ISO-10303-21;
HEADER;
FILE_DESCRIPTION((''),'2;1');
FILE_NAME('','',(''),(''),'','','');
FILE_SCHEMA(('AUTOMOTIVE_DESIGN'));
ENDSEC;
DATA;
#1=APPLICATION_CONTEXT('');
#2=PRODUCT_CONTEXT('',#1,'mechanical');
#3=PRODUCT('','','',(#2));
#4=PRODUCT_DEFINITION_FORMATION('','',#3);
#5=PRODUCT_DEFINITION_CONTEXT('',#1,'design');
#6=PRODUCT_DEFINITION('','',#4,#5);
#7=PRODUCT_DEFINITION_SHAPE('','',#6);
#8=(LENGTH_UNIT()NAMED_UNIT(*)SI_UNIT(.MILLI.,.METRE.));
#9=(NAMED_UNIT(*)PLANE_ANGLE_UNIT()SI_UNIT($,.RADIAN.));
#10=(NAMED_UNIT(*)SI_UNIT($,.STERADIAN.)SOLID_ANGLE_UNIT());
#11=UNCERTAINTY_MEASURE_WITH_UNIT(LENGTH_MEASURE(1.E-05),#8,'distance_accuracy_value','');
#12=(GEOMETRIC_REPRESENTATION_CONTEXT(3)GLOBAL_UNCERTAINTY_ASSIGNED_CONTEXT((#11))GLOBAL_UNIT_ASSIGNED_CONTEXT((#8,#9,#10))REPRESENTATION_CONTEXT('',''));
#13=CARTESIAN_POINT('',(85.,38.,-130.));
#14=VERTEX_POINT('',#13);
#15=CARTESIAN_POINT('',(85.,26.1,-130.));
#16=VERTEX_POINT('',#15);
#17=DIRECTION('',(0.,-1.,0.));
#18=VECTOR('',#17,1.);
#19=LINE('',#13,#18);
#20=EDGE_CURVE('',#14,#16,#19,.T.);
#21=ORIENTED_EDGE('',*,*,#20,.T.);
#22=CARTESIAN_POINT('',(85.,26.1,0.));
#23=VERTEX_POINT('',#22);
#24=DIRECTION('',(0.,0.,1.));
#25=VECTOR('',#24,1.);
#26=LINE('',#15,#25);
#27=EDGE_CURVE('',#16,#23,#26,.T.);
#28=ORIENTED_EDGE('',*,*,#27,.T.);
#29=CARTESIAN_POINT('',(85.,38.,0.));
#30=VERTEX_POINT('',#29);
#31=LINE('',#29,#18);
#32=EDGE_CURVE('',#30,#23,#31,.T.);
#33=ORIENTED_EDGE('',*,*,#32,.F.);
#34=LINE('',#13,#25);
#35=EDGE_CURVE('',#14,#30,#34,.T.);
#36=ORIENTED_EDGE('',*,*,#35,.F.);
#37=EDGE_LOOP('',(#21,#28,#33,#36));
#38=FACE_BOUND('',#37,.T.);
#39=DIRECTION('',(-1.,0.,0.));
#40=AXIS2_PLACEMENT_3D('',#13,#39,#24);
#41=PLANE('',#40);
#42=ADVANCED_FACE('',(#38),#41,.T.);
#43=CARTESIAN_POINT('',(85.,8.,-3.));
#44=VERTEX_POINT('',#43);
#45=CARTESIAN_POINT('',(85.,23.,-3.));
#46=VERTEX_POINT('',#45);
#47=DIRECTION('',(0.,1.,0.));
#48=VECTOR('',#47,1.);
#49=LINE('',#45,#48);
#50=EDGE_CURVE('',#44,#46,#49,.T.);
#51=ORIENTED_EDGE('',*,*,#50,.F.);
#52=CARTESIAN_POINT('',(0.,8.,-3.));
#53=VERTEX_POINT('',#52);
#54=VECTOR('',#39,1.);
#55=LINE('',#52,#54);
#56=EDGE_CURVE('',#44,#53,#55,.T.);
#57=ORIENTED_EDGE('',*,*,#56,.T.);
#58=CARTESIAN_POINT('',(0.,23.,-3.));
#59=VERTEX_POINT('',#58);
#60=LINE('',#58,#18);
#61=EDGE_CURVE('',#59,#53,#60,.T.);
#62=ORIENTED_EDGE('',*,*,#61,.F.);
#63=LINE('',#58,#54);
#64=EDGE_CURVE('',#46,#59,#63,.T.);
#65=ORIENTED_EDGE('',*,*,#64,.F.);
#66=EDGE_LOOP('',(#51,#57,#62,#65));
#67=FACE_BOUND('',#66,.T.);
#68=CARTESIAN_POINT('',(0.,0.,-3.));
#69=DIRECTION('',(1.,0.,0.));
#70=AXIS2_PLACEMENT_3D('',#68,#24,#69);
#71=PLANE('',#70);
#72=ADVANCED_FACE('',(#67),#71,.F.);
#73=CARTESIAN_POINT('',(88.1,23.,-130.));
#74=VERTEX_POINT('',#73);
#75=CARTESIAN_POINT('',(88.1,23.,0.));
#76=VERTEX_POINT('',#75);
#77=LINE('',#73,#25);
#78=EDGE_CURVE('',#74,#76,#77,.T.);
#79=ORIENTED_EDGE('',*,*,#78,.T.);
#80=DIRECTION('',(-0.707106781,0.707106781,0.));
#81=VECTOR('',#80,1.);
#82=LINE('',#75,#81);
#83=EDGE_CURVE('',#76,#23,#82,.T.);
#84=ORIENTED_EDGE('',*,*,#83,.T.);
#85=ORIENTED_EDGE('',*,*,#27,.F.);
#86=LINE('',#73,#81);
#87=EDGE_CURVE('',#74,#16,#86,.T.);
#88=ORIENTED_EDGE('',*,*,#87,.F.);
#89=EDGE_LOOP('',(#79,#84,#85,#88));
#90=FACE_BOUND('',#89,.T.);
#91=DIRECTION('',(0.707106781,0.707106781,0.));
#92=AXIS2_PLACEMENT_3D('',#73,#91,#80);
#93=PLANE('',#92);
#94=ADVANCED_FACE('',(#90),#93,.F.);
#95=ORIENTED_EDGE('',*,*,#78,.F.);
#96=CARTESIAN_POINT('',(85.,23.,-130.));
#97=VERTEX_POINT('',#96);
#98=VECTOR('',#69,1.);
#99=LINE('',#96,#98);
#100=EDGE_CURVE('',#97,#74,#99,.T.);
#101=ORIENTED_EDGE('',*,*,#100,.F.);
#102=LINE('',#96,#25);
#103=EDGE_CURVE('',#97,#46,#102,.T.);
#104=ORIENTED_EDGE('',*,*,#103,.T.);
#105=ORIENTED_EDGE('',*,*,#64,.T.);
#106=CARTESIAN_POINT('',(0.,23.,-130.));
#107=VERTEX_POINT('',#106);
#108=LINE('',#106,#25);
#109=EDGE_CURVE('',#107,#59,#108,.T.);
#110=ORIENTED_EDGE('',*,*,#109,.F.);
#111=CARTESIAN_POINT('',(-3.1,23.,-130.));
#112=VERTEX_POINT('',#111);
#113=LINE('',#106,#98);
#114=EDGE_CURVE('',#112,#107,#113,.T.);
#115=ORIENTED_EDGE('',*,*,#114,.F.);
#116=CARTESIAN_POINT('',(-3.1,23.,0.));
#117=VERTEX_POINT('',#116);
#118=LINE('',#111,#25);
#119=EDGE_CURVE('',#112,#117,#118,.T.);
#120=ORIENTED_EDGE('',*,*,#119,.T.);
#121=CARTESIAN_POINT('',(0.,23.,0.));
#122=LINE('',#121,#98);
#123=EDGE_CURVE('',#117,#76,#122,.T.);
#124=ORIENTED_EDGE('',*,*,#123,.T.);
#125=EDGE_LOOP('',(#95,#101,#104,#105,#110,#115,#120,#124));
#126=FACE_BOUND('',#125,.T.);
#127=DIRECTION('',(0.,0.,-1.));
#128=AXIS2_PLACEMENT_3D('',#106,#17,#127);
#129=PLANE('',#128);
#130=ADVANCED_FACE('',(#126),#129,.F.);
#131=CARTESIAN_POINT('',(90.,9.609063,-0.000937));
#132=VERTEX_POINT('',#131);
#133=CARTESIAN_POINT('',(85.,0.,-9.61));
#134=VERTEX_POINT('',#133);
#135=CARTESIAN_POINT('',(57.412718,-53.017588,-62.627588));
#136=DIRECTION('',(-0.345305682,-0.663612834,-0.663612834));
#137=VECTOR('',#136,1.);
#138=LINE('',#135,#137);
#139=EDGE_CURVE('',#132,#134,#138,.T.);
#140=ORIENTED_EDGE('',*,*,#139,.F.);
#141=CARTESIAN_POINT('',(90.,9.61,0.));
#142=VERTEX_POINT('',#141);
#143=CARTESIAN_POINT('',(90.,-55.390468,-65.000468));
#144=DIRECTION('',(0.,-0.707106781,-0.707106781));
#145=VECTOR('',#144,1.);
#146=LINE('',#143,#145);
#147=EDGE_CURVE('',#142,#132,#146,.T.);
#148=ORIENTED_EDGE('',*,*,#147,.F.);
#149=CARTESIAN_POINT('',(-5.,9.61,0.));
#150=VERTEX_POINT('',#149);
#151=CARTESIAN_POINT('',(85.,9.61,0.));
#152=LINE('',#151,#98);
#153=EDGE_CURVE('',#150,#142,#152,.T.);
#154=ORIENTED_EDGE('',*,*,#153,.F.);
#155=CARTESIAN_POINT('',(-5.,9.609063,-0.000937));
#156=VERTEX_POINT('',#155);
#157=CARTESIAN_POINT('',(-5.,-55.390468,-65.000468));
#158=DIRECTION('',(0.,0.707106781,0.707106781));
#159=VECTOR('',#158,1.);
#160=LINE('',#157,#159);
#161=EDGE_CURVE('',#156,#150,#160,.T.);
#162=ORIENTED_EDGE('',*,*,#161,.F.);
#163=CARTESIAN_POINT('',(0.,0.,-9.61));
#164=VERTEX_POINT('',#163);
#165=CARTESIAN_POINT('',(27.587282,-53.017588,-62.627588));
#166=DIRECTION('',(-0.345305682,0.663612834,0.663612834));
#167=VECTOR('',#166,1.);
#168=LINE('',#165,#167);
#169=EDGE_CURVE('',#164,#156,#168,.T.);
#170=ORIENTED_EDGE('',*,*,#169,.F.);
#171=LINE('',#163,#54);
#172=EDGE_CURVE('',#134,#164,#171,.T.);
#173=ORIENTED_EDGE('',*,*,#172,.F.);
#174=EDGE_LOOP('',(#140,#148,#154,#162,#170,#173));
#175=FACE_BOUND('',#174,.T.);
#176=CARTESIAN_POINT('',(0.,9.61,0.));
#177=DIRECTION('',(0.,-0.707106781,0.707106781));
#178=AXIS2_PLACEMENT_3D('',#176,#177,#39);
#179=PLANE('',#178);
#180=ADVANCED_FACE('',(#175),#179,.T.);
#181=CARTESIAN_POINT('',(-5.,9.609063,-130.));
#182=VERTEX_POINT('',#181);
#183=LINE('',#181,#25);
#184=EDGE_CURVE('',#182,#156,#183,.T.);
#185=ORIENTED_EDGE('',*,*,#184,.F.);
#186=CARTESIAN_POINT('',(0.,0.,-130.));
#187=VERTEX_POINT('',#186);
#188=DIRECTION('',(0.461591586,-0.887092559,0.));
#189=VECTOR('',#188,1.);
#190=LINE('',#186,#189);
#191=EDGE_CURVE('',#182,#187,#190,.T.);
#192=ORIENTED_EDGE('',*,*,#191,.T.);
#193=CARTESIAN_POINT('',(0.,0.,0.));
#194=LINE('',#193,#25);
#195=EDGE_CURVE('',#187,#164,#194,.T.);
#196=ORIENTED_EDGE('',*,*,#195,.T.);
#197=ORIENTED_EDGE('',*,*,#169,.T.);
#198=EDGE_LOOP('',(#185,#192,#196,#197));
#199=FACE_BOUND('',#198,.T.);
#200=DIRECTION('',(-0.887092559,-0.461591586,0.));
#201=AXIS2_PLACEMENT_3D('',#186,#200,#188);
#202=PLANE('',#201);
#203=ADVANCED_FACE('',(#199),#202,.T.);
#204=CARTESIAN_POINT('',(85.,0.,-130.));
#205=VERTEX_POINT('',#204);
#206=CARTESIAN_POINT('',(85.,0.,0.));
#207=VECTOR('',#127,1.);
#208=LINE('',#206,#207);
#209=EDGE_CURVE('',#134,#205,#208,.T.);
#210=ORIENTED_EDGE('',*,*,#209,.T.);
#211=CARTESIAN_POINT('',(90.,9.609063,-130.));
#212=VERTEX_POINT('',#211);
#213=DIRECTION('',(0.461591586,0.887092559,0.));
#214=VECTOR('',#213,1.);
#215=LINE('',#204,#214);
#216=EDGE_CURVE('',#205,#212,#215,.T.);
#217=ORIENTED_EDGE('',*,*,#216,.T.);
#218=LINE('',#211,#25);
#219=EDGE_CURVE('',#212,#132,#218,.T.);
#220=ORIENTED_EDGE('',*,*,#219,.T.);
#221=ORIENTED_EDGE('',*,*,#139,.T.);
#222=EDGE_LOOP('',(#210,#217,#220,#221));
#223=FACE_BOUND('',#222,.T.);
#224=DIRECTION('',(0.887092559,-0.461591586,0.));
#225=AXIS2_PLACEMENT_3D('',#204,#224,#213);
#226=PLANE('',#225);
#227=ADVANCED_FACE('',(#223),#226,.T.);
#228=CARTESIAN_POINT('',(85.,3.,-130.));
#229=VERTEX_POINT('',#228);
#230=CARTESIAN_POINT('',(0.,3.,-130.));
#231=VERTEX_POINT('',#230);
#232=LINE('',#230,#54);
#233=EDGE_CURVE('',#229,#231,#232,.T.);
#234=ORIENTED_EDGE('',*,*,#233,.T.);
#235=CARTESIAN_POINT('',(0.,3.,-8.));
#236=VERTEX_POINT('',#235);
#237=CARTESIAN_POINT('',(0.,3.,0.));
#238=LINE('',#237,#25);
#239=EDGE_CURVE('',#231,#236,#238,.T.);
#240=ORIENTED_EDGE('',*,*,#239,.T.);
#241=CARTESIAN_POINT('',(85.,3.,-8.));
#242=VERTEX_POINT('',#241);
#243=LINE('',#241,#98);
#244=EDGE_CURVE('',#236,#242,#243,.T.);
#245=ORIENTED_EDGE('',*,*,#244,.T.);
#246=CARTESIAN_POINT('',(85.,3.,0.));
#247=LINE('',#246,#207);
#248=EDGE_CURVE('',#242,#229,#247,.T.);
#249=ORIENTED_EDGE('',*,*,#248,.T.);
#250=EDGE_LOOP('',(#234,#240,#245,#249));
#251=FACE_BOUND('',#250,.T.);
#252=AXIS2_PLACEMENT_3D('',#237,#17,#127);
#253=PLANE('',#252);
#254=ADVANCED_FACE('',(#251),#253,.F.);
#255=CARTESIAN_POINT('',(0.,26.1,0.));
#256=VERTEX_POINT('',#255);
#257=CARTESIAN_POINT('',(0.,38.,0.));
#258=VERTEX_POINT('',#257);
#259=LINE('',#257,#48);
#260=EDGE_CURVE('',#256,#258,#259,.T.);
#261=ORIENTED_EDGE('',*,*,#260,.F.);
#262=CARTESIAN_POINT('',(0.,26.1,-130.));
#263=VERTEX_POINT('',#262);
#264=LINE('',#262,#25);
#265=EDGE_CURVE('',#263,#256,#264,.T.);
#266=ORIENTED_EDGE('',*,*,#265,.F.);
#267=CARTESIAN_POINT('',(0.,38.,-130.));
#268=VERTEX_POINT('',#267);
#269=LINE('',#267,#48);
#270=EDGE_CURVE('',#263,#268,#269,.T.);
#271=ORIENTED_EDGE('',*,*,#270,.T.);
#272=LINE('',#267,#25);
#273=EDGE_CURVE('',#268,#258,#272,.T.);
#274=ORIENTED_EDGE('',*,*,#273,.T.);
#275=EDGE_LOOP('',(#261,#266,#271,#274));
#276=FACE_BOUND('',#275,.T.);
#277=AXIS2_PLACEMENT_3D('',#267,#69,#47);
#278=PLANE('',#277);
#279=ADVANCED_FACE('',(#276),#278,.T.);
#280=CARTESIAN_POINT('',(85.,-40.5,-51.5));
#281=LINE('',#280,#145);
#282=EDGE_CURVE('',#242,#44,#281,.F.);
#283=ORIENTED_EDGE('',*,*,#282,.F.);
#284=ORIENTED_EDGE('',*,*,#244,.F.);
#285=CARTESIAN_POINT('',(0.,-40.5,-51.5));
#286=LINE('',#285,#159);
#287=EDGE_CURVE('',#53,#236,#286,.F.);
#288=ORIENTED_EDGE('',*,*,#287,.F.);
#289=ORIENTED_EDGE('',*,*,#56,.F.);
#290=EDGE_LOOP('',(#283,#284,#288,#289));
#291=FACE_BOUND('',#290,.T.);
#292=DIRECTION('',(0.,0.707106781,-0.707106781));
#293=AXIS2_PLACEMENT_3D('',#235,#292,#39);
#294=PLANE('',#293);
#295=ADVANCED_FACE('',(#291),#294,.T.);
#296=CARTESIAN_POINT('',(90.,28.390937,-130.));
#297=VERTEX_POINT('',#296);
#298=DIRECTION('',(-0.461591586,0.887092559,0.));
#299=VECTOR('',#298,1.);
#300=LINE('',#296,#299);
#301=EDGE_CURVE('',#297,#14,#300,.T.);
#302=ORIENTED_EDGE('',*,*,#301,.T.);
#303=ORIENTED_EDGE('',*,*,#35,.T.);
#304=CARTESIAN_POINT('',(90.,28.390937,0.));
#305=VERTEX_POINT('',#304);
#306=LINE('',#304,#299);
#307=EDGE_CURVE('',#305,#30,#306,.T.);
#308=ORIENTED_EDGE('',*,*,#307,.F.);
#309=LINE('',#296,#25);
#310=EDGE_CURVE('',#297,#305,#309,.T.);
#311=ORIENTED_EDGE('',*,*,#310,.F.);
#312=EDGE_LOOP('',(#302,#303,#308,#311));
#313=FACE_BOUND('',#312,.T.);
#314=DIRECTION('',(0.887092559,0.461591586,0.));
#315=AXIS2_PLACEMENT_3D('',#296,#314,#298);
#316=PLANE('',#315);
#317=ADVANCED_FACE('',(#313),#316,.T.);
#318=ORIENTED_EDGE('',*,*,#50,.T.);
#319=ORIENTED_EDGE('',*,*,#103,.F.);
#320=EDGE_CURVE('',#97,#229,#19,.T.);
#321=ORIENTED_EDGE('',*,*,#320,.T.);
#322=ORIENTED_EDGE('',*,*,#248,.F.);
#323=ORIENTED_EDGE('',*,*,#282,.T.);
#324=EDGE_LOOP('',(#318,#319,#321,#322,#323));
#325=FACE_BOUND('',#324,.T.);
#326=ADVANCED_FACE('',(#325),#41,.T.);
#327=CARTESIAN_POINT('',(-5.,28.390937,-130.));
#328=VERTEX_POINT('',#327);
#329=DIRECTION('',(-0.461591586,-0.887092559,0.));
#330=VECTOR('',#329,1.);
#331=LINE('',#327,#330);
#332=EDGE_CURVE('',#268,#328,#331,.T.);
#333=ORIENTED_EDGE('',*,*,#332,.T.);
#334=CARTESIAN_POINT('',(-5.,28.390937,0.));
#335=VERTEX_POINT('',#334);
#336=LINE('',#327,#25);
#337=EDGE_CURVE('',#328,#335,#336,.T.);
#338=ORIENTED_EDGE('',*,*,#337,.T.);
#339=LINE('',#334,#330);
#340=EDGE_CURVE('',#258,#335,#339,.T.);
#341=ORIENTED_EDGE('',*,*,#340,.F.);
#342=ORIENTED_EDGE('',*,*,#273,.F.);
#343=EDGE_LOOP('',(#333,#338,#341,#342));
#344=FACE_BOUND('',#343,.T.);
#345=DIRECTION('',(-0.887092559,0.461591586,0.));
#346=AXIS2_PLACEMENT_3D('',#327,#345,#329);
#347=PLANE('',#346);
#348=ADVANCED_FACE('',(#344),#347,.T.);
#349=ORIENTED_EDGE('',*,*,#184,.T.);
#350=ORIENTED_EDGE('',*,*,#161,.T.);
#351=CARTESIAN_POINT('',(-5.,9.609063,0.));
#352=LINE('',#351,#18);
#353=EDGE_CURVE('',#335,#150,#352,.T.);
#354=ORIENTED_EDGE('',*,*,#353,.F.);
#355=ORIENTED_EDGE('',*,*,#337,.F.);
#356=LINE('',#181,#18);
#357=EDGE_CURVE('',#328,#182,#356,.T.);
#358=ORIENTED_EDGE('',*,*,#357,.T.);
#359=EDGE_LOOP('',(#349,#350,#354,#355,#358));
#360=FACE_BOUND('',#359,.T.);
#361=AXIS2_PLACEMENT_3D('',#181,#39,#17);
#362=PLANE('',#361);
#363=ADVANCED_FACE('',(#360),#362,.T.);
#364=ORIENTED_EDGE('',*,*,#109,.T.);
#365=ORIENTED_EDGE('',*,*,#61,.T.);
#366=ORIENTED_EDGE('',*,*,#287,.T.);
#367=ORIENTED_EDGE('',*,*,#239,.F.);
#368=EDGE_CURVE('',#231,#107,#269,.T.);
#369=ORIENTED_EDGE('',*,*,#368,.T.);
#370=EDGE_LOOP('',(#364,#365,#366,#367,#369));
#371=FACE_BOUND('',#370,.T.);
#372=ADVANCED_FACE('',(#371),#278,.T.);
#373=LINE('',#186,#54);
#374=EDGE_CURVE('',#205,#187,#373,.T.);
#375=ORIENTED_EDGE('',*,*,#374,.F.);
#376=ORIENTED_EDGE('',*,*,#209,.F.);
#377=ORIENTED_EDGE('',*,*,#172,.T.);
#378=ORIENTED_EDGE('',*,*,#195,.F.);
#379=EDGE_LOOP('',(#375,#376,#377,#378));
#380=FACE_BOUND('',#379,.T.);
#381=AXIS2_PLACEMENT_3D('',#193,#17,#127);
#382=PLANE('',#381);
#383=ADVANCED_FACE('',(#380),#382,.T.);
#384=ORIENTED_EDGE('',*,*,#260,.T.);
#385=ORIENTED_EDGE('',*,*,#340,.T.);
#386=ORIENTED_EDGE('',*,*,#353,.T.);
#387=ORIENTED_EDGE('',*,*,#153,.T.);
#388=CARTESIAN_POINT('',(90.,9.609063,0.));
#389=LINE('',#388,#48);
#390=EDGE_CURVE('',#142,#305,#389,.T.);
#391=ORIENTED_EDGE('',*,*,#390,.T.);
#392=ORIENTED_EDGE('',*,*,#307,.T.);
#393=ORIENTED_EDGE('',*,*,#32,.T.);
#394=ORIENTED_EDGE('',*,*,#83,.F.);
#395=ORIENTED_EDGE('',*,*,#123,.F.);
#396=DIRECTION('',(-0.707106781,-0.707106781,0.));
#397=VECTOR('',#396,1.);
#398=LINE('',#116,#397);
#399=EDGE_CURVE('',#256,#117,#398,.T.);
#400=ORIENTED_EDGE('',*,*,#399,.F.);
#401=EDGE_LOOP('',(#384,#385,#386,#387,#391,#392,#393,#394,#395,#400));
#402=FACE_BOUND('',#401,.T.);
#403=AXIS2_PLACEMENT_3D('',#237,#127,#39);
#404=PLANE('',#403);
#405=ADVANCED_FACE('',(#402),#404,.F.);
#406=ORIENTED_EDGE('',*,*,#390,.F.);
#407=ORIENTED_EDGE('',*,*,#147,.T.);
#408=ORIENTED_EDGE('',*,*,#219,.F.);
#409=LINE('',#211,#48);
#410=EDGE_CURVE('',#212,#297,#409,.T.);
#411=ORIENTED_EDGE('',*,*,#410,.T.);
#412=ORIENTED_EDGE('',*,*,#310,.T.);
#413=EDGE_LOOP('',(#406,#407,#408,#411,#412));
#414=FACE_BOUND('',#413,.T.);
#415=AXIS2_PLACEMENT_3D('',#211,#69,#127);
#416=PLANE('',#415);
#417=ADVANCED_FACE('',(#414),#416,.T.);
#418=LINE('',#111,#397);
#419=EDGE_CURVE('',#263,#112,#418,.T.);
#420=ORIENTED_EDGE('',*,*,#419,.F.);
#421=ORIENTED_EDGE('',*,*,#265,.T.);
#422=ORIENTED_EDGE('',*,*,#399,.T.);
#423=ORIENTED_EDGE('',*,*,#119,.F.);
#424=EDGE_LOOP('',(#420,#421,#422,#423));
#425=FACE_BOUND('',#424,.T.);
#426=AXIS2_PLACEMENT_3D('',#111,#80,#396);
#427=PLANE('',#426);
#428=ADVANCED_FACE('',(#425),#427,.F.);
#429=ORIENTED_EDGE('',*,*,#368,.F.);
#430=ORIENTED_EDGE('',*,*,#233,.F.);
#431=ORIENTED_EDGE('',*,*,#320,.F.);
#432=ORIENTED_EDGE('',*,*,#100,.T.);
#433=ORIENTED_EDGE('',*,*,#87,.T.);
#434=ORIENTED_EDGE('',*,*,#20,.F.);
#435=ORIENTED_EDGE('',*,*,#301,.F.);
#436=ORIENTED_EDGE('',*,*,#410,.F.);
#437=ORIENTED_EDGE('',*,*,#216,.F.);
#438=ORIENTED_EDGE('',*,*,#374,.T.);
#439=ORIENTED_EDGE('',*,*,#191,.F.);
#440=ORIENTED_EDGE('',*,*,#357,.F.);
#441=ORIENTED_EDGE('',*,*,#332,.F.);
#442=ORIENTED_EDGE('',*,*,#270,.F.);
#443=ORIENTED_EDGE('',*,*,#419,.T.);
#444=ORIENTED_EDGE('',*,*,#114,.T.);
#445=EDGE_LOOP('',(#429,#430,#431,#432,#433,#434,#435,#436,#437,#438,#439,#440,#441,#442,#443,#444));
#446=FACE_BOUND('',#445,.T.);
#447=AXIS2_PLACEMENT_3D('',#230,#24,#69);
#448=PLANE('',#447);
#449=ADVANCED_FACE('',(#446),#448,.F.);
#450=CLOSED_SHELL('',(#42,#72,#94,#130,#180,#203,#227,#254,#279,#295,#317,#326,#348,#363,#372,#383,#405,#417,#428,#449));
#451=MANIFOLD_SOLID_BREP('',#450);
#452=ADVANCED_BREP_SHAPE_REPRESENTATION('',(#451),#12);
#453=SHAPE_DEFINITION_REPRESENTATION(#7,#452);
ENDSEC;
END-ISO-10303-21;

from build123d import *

# Parameters (mm, degrees)
SKETCH1_W                           = 85
SKETCH1_H                           = 130
BOSS_EXTRUDE1_BASE_DEPTH            = 3
BOSS_EXTRUDE4_SIDE_WALLS_DEPTH      = 130
CUT_EXTRUDE2_GUIDE_HOLES_DEPTH      = 163.616112363
SKETCH15_W                          = 85
SKETCH15_H                          = 20
BOSS_EXTRUDE9_FRONT_WALL_DEPTH      = 3
CHAMFER5_FRONT_CHAMFER_SIZE         = 9.61
CHAMFER6_FRONT_CHAMFER_CLEANUP_SIZE = 5


with BuildPart() as part:
    # Sketch1 → Boss-Extrude1 (Base) (new body)
    with BuildSketch(Plane(origin=(0, 0, 0), x_dir=(1, 0, 0), z_dir=(0, 1, 0))):
        with Locations((42.5, 65)):
            Rectangle(SKETCH1_W, SKETCH1_H)
    extrude(amount=BOSS_EXTRUDE1_BASE_DEPTH)

    # Sketch5 → Boss-Extrude4 (Side Walls) (add, through all)
    with BuildSketch(Plane.XY):
        Polygon((-5, 28.390936655), (0, 38), (0, 0), (-5, 9.609063345), align=None)
        Polygon((90, 9.609063345), (90, 28.390936655), (85, 38), (85, 0), align=None)
    extrude(amount=-BOSS_EXTRUDE4_SIDE_WALLS_DEPTH)

    # Sketch4 → Cut-Extrude2 (Guide Holes) (cut, through all)
    with BuildSketch(Plane.XY):
        Polygon((-3.1, 23), (0, 26.1), (0, 23), align=None)
        Polygon((85, 23), (88.1, 23), (85, 26.1), align=None)
    extrude(amount=-CUT_EXTRUDE2_GUIDE_HOLES_DEPTH, mode=Mode.SUBTRACT)

    # Sketch15 → Boss-Extrude9 (Front Wall) (add)
    with BuildSketch(Plane.XY):
        with Locations((42.5, 13)):
            Rectangle(SKETCH15_W, SKETCH15_H)
    extrude(amount=-BOSS_EXTRUDE9_FRONT_WALL_DEPTH)

    # Chamfer5 (Front Chamfer)
    chamfer5_front_chamfer_edges = [part.edges().sort_by_distance(p)[0] for p in [
        (42.5, 0, 0),
    ]]
    chamfer(chamfer5_front_chamfer_edges, length=CHAMFER5_FRONT_CHAMFER_SIZE)

    # Chamfer6 (Front Chamfer Cleanup)
    chamfer6_front_chamfer_cleanup_edges = [part.edges().sort_by_distance(p)[0] for p in [
        (42.5, 3, -3),
    ]]
    chamfer(chamfer6_front_chamfer_cleanup_edges, length=CHAMFER6_FRONT_CHAMFER_CLEANUP_SIZE)


solid = part.part
